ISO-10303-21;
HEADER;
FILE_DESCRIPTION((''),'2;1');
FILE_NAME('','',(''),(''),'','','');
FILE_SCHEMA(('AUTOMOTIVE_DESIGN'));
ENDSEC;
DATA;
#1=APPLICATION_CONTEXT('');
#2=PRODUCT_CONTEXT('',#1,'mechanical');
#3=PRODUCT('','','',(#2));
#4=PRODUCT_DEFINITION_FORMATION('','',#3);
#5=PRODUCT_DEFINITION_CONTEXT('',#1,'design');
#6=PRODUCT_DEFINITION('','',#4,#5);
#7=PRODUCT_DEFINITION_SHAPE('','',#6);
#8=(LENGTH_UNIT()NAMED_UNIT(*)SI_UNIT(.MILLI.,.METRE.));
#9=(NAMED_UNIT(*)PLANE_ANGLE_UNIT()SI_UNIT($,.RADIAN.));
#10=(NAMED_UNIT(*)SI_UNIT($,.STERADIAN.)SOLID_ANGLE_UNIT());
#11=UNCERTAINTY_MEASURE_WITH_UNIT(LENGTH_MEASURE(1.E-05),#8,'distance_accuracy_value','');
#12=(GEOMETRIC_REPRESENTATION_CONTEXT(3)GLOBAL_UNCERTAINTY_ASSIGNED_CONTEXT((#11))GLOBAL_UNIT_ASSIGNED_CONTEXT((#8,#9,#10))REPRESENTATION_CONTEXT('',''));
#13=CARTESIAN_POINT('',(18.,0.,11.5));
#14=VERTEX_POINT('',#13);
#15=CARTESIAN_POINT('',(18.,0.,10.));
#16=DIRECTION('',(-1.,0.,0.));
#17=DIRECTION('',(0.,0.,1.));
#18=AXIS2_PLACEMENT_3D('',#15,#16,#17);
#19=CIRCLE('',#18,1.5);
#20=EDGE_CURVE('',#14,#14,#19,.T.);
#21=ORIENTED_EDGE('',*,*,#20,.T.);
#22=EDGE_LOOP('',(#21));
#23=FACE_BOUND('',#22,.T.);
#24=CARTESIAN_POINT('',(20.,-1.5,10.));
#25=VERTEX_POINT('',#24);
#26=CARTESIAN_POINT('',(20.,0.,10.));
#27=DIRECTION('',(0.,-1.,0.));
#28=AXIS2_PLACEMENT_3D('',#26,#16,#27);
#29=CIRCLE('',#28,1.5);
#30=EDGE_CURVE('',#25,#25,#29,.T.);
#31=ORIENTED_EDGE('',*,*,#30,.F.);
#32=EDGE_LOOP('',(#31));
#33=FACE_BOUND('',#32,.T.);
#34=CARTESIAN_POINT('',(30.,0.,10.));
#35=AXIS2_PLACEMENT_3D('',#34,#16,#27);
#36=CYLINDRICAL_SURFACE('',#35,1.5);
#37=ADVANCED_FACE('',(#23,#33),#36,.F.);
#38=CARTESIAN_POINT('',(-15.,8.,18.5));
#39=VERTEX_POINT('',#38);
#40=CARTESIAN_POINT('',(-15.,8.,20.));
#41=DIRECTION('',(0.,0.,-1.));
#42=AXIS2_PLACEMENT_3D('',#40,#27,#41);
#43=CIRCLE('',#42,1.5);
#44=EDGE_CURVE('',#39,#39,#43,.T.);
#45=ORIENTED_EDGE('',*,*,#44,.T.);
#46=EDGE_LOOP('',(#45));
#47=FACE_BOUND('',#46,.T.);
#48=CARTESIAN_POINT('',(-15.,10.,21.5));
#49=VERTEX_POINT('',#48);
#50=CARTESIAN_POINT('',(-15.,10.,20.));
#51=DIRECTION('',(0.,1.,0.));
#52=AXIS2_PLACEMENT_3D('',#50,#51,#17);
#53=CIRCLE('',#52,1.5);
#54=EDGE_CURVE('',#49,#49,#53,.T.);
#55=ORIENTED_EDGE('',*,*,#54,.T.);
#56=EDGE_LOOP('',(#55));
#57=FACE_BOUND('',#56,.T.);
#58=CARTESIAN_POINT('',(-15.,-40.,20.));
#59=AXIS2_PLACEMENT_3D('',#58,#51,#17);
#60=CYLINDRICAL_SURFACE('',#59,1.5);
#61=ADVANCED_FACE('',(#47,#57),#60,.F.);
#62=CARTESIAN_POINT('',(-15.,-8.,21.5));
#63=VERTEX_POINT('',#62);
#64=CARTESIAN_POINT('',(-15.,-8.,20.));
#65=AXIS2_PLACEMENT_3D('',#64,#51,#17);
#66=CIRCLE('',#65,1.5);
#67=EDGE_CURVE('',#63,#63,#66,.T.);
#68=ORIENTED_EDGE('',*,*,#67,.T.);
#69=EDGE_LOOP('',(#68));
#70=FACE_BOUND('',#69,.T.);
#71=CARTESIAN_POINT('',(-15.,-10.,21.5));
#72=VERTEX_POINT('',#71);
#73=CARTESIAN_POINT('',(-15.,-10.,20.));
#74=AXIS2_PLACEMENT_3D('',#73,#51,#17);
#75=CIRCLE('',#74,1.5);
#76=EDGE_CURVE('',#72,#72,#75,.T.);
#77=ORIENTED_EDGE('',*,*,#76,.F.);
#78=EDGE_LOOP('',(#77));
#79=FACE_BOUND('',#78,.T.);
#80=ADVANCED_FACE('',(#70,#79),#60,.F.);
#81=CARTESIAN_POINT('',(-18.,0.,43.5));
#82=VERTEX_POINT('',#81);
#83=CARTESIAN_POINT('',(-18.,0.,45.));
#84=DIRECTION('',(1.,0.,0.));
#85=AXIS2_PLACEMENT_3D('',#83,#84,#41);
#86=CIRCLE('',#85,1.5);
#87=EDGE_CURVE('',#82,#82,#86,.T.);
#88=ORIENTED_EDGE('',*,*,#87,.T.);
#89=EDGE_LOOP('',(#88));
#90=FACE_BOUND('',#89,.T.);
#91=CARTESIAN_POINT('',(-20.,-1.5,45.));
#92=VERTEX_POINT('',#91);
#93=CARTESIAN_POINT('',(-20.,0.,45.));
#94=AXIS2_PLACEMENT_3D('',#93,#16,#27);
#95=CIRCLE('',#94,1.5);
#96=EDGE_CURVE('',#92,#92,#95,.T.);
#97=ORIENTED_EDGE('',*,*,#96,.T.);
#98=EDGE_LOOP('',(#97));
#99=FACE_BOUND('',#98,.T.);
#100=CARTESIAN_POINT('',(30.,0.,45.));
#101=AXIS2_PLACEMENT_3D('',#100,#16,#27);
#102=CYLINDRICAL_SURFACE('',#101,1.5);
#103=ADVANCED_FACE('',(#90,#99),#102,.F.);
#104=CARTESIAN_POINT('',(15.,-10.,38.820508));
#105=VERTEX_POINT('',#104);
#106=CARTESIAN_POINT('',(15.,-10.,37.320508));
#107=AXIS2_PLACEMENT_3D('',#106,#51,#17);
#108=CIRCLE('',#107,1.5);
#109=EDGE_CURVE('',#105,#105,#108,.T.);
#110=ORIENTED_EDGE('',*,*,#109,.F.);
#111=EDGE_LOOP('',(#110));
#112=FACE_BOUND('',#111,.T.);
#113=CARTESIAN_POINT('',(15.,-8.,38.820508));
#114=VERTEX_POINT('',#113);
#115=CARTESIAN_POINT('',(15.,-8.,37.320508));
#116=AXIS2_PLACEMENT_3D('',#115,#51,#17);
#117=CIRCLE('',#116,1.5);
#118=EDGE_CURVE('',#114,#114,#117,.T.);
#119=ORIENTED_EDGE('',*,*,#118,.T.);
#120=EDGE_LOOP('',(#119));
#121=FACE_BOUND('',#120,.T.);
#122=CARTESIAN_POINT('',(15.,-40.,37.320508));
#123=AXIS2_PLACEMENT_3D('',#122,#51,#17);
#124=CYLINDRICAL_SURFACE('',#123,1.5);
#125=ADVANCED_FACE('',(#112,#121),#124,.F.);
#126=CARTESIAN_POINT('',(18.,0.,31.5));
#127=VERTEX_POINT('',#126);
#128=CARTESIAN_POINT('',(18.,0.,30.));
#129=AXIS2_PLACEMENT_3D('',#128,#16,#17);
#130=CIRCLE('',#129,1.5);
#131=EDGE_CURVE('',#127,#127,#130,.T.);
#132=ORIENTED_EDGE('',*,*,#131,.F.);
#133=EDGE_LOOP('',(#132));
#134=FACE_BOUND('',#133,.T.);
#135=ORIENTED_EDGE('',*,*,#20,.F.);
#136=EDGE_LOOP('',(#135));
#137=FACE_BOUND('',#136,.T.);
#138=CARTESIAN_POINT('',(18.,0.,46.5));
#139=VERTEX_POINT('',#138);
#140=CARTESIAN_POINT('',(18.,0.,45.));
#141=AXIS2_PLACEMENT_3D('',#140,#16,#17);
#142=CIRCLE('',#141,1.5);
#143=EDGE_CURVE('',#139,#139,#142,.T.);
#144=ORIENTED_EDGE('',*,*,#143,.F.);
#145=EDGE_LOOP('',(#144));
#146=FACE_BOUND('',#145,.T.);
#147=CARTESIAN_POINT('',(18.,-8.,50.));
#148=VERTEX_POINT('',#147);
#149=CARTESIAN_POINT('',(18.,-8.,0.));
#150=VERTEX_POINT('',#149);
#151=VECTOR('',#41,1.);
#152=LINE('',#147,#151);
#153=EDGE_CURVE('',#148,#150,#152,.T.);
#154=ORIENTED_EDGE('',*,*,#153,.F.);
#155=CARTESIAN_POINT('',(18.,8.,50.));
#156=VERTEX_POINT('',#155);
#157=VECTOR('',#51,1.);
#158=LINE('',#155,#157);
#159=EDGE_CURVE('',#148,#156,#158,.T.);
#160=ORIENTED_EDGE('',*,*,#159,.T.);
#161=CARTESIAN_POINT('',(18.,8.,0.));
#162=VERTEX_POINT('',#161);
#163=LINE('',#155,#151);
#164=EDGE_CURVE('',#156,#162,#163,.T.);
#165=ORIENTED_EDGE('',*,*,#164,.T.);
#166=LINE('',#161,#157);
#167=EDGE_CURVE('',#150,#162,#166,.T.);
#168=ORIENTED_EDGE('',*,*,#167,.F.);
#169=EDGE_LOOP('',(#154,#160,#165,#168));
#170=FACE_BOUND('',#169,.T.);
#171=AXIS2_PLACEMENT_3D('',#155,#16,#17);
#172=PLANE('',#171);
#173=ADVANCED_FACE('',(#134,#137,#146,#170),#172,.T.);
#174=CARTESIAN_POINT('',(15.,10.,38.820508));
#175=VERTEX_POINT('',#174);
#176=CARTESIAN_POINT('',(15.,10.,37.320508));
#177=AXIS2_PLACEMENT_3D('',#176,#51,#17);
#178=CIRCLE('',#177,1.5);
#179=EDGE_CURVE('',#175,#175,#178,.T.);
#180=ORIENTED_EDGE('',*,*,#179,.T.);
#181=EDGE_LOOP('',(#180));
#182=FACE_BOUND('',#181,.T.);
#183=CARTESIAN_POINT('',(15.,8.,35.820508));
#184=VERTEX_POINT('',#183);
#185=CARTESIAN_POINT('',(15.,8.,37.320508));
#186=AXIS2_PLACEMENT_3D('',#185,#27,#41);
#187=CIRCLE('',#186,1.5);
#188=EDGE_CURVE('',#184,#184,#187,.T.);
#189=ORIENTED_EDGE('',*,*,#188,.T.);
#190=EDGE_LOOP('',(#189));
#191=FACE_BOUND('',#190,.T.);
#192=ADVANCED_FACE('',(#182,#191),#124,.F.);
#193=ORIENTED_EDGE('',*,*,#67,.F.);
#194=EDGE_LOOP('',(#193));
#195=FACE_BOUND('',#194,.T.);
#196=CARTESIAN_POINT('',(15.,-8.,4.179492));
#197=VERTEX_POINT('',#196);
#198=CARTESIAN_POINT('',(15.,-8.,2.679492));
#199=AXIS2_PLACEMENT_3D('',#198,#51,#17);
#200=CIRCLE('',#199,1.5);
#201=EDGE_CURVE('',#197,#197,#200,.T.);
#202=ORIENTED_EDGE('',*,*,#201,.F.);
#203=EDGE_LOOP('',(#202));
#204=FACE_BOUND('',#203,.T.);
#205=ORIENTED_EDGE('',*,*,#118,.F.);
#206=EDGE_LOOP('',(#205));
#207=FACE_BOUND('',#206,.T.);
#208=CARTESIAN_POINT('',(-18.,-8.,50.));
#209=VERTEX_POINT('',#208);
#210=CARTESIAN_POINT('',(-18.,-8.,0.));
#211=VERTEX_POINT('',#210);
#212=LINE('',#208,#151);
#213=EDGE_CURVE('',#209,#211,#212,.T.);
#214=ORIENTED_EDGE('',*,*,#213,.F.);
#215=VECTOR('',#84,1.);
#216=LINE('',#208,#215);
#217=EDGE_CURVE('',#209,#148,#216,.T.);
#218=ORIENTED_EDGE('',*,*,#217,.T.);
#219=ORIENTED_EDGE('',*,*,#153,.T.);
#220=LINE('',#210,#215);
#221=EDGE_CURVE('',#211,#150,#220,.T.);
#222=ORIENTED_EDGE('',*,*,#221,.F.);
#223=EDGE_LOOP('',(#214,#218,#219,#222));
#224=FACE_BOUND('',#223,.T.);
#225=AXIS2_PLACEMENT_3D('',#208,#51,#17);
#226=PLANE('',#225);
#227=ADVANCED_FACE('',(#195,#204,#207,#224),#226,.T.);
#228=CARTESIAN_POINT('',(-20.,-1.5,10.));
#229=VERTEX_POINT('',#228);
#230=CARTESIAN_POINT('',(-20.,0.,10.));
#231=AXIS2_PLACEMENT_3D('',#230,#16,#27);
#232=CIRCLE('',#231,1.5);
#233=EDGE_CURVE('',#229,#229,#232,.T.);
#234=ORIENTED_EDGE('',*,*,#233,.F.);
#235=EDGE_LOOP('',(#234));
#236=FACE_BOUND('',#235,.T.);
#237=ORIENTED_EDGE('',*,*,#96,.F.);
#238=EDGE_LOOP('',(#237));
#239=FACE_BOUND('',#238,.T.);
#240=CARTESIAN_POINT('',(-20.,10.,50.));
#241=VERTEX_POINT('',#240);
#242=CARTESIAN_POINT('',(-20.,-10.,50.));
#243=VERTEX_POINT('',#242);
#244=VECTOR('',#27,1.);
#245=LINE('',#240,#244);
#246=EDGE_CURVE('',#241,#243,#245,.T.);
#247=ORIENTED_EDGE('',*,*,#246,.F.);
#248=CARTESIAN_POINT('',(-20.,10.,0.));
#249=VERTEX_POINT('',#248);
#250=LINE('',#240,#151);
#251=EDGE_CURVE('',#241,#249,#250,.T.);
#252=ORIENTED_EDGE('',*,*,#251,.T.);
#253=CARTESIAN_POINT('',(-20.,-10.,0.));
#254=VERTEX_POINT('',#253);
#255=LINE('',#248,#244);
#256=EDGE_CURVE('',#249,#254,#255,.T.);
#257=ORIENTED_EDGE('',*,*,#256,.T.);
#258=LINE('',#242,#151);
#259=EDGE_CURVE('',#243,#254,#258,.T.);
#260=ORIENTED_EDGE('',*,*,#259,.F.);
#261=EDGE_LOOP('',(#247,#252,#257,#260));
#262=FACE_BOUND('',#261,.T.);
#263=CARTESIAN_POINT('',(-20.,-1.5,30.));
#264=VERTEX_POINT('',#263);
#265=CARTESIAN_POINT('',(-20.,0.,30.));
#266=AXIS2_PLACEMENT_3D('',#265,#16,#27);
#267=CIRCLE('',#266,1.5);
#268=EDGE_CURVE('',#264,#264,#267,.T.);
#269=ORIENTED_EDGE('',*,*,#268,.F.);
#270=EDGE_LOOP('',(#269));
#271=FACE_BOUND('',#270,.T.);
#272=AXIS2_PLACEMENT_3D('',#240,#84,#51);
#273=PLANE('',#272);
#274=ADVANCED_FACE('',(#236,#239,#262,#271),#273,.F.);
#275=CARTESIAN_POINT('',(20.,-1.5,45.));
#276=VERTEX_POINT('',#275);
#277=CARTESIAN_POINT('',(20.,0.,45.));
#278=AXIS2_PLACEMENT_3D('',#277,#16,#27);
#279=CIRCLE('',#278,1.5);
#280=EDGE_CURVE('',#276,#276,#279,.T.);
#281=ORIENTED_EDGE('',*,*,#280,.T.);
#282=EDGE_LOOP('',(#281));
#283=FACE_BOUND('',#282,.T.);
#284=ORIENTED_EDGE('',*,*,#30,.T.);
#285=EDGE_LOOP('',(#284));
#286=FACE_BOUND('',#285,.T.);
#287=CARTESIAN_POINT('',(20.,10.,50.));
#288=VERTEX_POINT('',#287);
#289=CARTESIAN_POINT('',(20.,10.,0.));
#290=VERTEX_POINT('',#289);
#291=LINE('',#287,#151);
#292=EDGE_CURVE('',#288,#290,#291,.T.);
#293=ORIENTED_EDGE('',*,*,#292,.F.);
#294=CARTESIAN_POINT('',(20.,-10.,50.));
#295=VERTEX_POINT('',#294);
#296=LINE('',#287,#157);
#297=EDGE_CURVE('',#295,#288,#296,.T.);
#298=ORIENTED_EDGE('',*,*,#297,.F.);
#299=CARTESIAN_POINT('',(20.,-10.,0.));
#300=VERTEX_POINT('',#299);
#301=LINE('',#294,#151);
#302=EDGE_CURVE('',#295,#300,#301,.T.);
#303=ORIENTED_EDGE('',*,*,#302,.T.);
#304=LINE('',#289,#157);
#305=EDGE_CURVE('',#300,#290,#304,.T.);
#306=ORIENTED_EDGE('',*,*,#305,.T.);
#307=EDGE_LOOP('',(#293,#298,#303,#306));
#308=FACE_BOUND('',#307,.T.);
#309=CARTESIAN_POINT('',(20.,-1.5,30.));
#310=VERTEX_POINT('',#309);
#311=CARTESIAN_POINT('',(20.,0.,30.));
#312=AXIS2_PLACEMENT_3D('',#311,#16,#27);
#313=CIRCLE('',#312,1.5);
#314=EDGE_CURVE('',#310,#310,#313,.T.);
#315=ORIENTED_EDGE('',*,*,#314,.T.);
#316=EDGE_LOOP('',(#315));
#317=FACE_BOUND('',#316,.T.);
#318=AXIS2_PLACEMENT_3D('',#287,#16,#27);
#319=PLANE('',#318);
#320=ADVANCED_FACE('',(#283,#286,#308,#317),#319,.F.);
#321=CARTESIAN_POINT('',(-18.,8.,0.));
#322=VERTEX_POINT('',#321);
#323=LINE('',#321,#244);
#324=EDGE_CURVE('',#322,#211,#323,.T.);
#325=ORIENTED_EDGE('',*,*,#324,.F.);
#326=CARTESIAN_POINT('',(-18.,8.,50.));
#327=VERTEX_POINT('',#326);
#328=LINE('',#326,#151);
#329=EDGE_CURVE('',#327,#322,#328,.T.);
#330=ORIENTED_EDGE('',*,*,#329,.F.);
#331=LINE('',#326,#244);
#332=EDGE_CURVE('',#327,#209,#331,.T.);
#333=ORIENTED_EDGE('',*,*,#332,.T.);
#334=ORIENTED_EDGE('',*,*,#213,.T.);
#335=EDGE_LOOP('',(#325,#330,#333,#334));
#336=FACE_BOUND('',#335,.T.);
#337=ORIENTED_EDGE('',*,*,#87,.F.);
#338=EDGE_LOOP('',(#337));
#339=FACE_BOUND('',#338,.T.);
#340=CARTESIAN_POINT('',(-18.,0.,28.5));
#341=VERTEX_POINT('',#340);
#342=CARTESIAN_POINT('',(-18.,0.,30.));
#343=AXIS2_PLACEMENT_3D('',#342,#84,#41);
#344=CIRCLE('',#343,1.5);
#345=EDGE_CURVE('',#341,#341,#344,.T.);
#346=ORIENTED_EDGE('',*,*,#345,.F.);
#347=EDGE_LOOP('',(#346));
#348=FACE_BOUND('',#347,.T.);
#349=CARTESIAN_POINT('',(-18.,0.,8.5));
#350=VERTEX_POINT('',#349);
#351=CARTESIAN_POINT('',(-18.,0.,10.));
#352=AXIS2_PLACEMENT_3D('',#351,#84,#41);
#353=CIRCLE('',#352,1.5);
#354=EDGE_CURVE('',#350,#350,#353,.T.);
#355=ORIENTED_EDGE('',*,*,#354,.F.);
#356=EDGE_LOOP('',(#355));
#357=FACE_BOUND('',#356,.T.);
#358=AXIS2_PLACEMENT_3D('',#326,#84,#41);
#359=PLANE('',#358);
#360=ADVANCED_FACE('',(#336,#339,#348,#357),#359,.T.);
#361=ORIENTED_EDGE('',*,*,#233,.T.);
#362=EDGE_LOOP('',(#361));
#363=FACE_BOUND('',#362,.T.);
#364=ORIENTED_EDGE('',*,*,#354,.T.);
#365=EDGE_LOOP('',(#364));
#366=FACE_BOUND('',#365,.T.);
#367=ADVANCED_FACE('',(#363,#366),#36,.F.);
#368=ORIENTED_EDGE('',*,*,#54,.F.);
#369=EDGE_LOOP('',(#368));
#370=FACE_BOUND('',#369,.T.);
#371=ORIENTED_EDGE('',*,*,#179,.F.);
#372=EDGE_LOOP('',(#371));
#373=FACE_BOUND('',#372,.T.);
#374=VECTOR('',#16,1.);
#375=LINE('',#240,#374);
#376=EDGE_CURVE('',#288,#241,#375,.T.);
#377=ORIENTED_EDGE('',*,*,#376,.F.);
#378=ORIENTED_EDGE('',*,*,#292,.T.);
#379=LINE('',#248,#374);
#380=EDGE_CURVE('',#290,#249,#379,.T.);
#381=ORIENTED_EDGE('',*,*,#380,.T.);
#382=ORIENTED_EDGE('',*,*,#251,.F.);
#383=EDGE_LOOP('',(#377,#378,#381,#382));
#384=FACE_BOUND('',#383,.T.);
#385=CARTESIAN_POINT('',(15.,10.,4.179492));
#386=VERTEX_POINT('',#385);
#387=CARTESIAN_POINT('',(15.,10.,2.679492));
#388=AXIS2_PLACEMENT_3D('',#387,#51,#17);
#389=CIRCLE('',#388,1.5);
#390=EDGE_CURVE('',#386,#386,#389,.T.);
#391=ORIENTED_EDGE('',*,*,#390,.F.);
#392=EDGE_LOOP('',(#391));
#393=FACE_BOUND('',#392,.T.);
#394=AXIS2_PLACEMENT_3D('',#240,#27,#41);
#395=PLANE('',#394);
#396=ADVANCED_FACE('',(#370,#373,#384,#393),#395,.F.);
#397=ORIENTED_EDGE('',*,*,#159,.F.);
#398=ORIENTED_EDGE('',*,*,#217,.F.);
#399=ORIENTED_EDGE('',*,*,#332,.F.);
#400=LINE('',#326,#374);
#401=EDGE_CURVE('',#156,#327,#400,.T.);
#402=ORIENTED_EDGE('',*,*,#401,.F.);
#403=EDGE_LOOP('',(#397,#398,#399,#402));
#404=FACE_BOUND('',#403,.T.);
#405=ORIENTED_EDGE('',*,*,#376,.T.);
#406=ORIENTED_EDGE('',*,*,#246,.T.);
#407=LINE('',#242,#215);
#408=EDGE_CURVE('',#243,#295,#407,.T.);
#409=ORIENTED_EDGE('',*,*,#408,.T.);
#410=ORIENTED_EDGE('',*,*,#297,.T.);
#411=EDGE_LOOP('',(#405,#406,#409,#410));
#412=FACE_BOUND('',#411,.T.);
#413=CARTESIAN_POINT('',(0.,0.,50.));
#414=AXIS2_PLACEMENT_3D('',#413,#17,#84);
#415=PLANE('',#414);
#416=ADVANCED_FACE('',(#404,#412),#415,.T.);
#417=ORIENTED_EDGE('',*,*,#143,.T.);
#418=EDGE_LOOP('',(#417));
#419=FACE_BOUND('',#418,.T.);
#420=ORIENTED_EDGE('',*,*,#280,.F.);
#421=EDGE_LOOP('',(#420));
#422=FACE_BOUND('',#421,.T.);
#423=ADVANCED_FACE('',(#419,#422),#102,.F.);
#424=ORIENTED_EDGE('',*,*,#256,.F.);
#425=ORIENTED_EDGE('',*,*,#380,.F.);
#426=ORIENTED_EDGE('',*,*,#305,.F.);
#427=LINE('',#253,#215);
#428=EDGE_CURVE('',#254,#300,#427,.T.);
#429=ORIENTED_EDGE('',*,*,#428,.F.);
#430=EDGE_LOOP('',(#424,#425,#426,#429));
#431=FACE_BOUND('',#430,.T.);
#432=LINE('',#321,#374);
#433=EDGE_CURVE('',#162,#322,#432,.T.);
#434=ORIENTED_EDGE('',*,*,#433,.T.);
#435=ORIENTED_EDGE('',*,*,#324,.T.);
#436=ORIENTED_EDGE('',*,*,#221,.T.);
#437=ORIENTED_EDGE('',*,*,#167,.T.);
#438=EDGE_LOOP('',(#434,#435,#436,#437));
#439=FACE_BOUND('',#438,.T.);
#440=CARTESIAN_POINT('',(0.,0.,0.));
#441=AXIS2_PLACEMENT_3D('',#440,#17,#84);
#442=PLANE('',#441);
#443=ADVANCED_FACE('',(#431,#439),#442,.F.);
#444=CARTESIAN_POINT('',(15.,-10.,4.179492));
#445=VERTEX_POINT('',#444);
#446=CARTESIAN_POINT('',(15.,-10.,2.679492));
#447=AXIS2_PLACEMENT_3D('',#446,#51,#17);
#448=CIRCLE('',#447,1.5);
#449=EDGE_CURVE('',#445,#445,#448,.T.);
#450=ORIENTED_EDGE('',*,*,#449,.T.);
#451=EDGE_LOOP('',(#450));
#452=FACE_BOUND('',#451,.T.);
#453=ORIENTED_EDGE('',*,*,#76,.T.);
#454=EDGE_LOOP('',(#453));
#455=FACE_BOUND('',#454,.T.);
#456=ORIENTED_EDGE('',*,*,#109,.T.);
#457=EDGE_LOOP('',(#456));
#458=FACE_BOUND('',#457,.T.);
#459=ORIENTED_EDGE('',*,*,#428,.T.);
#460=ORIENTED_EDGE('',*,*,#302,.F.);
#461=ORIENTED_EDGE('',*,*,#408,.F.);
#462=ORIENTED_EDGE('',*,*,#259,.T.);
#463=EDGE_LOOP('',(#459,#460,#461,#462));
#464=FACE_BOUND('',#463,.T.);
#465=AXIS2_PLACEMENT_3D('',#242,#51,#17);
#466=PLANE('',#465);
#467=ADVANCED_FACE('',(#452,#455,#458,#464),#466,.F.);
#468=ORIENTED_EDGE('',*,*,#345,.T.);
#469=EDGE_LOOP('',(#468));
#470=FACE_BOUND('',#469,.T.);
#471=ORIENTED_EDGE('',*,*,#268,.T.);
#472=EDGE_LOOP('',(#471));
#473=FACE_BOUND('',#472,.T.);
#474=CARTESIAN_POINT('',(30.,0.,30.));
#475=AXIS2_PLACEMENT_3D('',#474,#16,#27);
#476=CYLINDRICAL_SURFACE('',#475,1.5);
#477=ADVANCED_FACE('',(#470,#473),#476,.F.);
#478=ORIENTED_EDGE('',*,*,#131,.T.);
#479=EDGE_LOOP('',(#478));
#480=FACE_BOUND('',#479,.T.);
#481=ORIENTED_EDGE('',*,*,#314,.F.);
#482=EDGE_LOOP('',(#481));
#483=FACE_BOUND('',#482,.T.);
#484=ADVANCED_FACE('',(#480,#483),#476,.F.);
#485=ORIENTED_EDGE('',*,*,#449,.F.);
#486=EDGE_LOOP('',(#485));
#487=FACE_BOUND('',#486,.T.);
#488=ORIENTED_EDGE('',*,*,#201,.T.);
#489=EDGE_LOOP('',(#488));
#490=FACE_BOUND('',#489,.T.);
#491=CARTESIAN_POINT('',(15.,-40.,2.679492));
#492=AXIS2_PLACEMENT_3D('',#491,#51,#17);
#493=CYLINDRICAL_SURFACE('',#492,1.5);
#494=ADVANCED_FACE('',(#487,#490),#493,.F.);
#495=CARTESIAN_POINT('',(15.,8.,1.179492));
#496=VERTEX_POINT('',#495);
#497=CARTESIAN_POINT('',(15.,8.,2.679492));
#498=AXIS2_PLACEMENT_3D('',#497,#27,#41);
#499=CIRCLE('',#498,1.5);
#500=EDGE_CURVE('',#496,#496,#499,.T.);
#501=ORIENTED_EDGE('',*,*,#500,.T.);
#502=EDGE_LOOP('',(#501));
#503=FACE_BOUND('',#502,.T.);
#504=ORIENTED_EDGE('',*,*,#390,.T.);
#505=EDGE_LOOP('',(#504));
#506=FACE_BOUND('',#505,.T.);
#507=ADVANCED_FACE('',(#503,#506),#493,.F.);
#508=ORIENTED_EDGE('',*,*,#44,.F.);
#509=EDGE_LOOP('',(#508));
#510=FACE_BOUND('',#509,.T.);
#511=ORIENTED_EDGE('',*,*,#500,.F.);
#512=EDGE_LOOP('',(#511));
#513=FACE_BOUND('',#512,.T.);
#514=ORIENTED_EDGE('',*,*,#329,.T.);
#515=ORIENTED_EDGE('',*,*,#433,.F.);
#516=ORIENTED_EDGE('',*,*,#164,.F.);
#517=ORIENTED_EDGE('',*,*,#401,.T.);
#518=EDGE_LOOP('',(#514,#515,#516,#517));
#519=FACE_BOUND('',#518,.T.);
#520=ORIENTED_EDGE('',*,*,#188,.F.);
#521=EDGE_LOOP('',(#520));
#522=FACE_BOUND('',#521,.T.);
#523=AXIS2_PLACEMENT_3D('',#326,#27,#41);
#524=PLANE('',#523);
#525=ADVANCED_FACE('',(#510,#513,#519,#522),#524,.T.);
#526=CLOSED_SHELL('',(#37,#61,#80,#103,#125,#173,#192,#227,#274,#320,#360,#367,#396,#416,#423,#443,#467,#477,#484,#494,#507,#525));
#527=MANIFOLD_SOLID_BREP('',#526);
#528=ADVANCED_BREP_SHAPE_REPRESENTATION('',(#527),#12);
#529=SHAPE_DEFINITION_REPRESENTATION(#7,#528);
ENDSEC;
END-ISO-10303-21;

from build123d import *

# Parameters (mm, degrees)
SKETCH_1_W          = 40
SKETCH_1_H          = 20
SKETCH_1_W_2        = 36
SKETCH_1_H_2        = 16
EXTRUDE_1_DEPTH     = 50
SKETCH_2_R          = 1.5
CUT_EXTRUDE_1_DEPTH = 50
SKETCH_3_R          = 1.5
CUT_EXTRUDE_2_DEPTH = 50


with BuildPart() as part:
    # 草图1 → 凸台-拉伸1 (new body)
    with BuildSketch(Plane.XY):
        Rectangle(SKETCH_1_W, SKETCH_1_H)
        Rectangle(SKETCH_1_W_2, SKETCH_1_H_2, mode=Mode.SUBTRACT)
    extrude(amount=EXTRUDE_1_DEPTH)

    # 草图2 → 切除-拉伸1 (cut)
    with BuildSketch(Plane(origin=(0, 10, 0), x_dir=(1, 0, 0), z_dir=(0, 1, 0))):
        with Locations(Location((-15, -20, 0), (0, 0, 270))):
            Circle(SKETCH_2_R)
        with Locations(Location((15, -2.679491924, 0), (0, 0, 270))):
            Circle(SKETCH_2_R)
        with Locations(Location((15, -37.320508076, 0), (0, 0, 270))):
            Circle(SKETCH_2_R)
    extrude(amount=-CUT_EXTRUDE_1_DEPTH, mode=Mode.SUBTRACT)

    # 草图3 → 切除-拉伸2 (cut)
    with BuildSketch(Plane.ZY.offset(20)):
        with Locations(Location((10, 0, 0), (0, 0, 270))):
            Circle(SKETCH_3_R)
        with Locations(Location((30, 0, 0), (0, 0, 270))):
            Circle(SKETCH_3_R)
        with Locations(Location((45, 0, 0), (0, 0, 270))):
            Circle(SKETCH_3_R)
    extrude(amount=-CUT_EXTRUDE_2_DEPTH, mode=Mode.SUBTRACT)


solid = part.part
